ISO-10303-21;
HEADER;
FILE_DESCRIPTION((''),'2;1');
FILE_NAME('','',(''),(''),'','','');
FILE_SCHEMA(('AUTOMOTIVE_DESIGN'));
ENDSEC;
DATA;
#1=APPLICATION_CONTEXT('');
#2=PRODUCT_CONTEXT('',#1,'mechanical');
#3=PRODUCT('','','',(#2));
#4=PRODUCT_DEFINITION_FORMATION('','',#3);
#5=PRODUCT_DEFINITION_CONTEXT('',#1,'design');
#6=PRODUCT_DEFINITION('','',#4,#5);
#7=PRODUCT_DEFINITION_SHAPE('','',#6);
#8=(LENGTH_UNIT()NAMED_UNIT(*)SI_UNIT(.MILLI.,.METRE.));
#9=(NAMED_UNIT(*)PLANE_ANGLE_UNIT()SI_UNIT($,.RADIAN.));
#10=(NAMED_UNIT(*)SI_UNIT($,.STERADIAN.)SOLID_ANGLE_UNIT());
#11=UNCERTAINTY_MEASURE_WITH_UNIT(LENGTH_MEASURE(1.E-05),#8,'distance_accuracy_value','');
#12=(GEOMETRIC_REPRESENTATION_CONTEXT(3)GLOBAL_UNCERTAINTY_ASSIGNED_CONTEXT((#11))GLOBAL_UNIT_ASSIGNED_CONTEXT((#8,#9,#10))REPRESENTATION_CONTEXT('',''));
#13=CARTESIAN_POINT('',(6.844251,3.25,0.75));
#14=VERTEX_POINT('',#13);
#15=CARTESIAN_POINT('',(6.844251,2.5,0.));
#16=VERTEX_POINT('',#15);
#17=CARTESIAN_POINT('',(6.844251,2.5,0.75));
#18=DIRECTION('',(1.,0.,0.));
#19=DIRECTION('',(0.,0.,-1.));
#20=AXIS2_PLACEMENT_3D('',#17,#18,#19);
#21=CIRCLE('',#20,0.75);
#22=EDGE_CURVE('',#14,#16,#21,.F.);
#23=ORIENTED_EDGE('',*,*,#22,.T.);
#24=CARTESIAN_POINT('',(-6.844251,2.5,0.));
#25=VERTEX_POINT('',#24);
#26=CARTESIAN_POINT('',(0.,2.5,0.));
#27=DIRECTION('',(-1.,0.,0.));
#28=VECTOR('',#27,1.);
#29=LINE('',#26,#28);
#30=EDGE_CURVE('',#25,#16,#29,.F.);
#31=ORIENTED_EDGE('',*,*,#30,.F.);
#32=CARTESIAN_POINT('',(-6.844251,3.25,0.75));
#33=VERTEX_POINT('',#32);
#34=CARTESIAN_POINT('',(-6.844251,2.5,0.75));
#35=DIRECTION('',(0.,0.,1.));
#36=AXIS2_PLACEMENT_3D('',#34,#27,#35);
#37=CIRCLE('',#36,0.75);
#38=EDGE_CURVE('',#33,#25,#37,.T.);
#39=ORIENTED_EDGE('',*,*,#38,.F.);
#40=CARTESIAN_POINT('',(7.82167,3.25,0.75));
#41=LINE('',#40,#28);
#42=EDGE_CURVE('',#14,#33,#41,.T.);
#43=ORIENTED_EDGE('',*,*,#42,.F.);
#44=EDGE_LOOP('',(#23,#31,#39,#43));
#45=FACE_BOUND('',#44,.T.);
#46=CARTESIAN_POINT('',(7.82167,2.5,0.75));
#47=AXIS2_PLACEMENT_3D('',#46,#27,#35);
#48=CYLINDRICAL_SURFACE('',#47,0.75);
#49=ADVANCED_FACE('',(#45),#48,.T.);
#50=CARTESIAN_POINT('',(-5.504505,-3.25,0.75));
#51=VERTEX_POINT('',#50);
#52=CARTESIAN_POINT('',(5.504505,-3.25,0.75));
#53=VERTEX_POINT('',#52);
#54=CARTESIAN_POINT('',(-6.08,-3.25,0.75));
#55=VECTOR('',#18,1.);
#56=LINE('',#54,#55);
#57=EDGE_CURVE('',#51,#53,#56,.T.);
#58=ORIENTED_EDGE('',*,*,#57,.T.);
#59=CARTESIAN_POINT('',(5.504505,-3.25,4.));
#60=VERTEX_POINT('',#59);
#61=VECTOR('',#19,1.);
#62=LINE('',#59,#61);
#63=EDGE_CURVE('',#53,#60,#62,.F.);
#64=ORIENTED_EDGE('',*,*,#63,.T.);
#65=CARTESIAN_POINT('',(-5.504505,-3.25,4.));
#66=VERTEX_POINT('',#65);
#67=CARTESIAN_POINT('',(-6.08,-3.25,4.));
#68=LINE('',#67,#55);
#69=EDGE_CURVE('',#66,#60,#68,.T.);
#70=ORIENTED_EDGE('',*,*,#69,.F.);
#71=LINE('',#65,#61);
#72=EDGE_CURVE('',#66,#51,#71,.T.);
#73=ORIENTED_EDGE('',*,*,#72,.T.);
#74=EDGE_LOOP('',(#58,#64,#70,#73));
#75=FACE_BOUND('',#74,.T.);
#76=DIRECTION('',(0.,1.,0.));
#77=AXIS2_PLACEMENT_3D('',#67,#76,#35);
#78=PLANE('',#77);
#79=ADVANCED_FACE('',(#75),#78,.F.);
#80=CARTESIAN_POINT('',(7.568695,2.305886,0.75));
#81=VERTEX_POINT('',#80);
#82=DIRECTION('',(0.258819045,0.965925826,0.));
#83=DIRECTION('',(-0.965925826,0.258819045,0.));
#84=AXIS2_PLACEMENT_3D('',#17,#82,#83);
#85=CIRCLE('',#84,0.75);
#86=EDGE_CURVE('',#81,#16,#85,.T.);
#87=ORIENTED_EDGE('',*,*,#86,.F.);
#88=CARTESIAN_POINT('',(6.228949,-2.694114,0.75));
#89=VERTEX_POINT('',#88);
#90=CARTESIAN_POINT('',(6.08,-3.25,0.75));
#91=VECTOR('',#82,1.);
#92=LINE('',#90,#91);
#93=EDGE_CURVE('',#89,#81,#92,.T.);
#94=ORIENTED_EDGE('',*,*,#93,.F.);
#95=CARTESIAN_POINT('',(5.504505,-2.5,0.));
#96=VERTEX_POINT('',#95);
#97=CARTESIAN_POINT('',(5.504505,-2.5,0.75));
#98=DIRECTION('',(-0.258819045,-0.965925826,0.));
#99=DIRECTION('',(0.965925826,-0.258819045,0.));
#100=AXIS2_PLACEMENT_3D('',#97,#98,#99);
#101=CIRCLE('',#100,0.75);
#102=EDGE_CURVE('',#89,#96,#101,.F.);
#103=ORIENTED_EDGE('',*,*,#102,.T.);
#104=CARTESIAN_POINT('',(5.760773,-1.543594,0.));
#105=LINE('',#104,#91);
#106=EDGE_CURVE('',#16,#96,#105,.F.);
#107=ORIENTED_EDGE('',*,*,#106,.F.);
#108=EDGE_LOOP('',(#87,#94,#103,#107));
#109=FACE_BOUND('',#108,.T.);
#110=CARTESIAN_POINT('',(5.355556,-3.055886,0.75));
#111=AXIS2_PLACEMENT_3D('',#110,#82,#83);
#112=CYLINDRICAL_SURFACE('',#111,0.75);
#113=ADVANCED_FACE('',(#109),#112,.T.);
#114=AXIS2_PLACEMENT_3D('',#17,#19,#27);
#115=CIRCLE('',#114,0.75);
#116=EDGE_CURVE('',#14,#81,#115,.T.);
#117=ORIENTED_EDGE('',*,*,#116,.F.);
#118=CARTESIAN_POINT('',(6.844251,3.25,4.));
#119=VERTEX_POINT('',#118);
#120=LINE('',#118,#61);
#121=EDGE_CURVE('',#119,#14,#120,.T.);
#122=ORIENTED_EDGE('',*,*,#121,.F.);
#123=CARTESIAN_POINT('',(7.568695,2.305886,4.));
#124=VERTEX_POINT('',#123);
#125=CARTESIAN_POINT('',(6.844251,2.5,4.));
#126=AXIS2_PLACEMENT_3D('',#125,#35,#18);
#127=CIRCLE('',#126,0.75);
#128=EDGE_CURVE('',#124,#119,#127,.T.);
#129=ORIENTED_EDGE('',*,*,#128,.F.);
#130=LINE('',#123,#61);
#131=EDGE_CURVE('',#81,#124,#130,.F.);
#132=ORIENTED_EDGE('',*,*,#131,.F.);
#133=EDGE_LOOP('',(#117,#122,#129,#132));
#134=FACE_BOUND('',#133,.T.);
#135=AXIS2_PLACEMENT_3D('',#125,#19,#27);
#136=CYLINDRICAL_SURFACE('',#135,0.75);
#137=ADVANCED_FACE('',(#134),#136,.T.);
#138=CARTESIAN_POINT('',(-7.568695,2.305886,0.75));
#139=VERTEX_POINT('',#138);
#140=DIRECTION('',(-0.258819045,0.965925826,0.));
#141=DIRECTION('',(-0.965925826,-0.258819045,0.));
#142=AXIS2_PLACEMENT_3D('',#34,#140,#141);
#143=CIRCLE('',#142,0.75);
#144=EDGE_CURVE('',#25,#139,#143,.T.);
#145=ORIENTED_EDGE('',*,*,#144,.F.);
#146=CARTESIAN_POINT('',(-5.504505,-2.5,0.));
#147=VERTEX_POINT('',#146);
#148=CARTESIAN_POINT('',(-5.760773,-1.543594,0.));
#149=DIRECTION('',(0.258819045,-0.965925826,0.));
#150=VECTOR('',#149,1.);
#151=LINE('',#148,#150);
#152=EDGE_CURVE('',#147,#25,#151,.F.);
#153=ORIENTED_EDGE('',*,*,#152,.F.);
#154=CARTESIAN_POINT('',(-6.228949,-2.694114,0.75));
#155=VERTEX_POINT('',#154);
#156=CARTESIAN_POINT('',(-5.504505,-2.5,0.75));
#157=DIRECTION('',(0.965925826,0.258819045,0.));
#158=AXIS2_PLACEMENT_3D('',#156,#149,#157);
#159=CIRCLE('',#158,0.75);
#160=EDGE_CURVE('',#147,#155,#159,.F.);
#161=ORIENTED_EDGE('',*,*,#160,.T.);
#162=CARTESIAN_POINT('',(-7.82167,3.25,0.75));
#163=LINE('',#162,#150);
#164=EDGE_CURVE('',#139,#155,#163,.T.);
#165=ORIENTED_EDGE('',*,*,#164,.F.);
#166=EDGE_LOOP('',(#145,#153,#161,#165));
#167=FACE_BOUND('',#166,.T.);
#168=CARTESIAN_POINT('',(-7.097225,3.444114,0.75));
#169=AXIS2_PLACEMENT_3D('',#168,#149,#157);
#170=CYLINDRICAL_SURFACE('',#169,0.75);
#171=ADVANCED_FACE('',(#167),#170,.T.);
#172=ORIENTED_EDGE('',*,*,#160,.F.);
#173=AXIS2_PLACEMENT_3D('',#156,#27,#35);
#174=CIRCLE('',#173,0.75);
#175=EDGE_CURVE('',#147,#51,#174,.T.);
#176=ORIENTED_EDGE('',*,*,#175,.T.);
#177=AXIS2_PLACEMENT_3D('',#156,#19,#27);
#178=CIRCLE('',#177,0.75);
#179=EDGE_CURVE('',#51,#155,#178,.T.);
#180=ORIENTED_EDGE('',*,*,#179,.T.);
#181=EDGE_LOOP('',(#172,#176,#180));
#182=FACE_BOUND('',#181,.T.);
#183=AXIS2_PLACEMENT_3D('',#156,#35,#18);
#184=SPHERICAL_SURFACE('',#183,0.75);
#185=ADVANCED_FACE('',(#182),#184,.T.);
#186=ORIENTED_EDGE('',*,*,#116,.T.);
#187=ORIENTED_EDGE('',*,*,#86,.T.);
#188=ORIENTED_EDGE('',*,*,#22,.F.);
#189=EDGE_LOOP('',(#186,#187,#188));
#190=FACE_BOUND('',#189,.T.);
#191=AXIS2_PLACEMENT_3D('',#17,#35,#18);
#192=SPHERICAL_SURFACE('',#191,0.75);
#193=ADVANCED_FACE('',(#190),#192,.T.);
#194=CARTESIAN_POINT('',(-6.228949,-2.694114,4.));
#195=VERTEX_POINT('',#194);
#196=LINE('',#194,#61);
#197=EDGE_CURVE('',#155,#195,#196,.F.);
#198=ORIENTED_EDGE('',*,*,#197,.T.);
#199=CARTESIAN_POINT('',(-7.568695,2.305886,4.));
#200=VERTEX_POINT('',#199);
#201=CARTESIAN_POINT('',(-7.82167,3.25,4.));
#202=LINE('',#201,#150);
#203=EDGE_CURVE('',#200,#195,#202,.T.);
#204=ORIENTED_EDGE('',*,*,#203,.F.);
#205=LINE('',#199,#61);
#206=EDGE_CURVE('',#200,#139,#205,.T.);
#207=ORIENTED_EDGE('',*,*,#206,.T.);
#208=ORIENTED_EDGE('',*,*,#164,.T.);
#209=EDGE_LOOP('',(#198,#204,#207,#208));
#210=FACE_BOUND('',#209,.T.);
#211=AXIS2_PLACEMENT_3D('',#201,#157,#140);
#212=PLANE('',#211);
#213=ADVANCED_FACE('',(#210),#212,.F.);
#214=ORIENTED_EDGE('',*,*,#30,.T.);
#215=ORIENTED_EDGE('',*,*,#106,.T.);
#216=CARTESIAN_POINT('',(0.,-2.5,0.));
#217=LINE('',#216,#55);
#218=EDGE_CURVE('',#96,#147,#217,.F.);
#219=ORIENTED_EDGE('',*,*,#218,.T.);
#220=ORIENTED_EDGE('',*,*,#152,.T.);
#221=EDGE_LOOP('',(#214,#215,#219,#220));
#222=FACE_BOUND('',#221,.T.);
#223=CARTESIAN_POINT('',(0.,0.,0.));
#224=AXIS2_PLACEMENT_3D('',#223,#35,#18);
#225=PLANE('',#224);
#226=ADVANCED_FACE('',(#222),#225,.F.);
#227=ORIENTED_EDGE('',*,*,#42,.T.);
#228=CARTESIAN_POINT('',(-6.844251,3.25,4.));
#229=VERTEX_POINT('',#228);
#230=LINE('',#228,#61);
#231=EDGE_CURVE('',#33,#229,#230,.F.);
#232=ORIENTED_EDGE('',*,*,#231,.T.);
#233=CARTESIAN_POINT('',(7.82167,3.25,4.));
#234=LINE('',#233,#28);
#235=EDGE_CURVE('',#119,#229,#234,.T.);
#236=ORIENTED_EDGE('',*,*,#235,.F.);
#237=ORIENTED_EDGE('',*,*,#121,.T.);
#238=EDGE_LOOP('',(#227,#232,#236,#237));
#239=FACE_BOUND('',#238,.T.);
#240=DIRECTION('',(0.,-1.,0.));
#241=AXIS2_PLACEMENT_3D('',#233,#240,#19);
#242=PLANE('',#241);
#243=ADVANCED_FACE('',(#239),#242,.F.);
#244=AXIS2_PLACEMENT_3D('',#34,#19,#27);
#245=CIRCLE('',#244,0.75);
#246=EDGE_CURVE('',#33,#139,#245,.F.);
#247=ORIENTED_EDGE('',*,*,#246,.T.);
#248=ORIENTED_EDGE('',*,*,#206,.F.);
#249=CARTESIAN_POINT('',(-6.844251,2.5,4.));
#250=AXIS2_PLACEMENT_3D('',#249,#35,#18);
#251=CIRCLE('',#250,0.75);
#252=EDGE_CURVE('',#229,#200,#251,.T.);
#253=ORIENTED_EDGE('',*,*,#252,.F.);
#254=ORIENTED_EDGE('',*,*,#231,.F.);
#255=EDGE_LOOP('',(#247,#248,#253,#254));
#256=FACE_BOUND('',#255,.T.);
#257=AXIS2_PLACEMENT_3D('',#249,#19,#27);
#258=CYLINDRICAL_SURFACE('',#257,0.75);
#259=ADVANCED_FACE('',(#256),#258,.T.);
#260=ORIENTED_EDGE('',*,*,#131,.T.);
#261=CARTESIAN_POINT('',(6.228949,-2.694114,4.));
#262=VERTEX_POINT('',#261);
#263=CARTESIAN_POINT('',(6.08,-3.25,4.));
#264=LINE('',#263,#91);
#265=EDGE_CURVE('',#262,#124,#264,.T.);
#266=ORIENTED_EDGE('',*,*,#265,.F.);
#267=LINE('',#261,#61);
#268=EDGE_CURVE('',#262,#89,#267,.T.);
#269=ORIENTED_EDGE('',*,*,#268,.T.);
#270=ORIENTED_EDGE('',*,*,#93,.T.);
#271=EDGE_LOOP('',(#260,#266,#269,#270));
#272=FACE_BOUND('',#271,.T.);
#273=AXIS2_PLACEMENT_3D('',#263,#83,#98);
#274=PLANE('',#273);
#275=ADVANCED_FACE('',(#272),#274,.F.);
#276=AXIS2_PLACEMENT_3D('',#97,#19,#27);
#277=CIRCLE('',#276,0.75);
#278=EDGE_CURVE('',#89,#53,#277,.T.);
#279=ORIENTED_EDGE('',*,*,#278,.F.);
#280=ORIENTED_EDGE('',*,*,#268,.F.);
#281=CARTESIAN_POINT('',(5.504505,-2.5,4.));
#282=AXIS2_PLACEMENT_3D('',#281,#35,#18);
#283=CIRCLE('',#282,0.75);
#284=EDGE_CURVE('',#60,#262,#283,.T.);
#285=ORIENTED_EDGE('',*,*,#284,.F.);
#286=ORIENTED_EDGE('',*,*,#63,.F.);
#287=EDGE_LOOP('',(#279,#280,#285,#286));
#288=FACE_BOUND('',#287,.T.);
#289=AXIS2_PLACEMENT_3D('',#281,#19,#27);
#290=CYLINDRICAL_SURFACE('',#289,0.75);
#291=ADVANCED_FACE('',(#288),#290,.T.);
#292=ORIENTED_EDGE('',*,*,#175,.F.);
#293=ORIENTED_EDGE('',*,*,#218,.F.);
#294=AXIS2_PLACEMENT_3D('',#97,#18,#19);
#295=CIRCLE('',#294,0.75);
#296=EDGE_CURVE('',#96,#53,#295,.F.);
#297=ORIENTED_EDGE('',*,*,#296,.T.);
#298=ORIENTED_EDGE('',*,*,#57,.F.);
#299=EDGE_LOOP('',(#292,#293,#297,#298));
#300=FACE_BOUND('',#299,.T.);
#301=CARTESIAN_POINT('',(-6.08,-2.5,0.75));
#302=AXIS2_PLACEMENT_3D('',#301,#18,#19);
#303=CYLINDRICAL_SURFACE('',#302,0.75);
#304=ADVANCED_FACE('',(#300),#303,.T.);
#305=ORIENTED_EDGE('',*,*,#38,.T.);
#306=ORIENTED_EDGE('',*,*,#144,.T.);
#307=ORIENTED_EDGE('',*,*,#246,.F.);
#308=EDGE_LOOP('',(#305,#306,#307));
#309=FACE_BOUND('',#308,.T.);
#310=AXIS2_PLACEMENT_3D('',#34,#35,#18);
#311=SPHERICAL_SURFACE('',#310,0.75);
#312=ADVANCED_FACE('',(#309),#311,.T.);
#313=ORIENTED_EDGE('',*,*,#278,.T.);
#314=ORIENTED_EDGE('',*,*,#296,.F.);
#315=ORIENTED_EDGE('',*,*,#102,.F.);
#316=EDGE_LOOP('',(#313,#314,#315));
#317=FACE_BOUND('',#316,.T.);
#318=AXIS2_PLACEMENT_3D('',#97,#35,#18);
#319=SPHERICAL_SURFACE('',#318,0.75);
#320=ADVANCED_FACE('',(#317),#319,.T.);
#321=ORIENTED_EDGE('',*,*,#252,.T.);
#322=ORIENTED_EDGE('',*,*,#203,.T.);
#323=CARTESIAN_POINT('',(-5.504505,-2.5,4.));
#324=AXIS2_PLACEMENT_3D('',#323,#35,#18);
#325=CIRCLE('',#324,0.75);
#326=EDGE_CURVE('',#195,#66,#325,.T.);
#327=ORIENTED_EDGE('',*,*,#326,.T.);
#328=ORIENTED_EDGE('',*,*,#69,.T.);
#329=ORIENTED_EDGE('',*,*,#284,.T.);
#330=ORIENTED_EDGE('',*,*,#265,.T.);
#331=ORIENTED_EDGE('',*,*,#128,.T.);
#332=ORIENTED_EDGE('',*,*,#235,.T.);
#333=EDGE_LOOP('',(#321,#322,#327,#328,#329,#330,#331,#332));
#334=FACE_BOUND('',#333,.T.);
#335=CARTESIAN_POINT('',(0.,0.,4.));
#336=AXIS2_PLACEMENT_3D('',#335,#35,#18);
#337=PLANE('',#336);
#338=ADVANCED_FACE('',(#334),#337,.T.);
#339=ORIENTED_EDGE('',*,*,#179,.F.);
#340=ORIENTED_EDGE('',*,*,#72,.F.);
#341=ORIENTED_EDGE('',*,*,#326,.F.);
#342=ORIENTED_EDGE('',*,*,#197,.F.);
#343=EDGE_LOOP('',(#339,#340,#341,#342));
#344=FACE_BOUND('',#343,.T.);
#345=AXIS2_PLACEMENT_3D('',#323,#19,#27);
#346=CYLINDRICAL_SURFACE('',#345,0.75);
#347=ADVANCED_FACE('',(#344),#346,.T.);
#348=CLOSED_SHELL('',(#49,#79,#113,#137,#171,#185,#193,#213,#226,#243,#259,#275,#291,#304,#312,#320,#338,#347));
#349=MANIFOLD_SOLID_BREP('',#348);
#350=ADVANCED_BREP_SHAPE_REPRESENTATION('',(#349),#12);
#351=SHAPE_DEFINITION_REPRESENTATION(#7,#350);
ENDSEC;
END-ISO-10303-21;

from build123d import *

# Parameters (mm, degrees)
EXTRUDE_1_DEPTH = 4
FILLET_1_R      = 0.75


with BuildPart() as part:
    # Эскиз1 → Бобышка-Вытянуть1 (new body)
    with BuildSketch(Plane.XY):
        Polygon((-6.08, -3.25), (6.08, -3.25), (7.821669751, 3.25), (-7.821669751, 3.25), align=None)
    extrude(amount=EXTRUDE_1_DEPTH)

    # Скругление1
    fillet_1_edges = [part.edges().sort_by_distance(p)[0] for p in [
        (0, 3.25, 0),
        (6.950834875, 0, 0),
        (0, -3.25, 0),
        (-6.950834875, 0, 0),
        (-7.821669751, 3.25, 2),
        (7.821669751, 3.25, 2),
        (6.08, -3.25, 2),
        (-6.08, -3.25, 2),
    ]]
    fillet(fillet_1_edges, radius=FILLET_1_R)


solid = part.part
